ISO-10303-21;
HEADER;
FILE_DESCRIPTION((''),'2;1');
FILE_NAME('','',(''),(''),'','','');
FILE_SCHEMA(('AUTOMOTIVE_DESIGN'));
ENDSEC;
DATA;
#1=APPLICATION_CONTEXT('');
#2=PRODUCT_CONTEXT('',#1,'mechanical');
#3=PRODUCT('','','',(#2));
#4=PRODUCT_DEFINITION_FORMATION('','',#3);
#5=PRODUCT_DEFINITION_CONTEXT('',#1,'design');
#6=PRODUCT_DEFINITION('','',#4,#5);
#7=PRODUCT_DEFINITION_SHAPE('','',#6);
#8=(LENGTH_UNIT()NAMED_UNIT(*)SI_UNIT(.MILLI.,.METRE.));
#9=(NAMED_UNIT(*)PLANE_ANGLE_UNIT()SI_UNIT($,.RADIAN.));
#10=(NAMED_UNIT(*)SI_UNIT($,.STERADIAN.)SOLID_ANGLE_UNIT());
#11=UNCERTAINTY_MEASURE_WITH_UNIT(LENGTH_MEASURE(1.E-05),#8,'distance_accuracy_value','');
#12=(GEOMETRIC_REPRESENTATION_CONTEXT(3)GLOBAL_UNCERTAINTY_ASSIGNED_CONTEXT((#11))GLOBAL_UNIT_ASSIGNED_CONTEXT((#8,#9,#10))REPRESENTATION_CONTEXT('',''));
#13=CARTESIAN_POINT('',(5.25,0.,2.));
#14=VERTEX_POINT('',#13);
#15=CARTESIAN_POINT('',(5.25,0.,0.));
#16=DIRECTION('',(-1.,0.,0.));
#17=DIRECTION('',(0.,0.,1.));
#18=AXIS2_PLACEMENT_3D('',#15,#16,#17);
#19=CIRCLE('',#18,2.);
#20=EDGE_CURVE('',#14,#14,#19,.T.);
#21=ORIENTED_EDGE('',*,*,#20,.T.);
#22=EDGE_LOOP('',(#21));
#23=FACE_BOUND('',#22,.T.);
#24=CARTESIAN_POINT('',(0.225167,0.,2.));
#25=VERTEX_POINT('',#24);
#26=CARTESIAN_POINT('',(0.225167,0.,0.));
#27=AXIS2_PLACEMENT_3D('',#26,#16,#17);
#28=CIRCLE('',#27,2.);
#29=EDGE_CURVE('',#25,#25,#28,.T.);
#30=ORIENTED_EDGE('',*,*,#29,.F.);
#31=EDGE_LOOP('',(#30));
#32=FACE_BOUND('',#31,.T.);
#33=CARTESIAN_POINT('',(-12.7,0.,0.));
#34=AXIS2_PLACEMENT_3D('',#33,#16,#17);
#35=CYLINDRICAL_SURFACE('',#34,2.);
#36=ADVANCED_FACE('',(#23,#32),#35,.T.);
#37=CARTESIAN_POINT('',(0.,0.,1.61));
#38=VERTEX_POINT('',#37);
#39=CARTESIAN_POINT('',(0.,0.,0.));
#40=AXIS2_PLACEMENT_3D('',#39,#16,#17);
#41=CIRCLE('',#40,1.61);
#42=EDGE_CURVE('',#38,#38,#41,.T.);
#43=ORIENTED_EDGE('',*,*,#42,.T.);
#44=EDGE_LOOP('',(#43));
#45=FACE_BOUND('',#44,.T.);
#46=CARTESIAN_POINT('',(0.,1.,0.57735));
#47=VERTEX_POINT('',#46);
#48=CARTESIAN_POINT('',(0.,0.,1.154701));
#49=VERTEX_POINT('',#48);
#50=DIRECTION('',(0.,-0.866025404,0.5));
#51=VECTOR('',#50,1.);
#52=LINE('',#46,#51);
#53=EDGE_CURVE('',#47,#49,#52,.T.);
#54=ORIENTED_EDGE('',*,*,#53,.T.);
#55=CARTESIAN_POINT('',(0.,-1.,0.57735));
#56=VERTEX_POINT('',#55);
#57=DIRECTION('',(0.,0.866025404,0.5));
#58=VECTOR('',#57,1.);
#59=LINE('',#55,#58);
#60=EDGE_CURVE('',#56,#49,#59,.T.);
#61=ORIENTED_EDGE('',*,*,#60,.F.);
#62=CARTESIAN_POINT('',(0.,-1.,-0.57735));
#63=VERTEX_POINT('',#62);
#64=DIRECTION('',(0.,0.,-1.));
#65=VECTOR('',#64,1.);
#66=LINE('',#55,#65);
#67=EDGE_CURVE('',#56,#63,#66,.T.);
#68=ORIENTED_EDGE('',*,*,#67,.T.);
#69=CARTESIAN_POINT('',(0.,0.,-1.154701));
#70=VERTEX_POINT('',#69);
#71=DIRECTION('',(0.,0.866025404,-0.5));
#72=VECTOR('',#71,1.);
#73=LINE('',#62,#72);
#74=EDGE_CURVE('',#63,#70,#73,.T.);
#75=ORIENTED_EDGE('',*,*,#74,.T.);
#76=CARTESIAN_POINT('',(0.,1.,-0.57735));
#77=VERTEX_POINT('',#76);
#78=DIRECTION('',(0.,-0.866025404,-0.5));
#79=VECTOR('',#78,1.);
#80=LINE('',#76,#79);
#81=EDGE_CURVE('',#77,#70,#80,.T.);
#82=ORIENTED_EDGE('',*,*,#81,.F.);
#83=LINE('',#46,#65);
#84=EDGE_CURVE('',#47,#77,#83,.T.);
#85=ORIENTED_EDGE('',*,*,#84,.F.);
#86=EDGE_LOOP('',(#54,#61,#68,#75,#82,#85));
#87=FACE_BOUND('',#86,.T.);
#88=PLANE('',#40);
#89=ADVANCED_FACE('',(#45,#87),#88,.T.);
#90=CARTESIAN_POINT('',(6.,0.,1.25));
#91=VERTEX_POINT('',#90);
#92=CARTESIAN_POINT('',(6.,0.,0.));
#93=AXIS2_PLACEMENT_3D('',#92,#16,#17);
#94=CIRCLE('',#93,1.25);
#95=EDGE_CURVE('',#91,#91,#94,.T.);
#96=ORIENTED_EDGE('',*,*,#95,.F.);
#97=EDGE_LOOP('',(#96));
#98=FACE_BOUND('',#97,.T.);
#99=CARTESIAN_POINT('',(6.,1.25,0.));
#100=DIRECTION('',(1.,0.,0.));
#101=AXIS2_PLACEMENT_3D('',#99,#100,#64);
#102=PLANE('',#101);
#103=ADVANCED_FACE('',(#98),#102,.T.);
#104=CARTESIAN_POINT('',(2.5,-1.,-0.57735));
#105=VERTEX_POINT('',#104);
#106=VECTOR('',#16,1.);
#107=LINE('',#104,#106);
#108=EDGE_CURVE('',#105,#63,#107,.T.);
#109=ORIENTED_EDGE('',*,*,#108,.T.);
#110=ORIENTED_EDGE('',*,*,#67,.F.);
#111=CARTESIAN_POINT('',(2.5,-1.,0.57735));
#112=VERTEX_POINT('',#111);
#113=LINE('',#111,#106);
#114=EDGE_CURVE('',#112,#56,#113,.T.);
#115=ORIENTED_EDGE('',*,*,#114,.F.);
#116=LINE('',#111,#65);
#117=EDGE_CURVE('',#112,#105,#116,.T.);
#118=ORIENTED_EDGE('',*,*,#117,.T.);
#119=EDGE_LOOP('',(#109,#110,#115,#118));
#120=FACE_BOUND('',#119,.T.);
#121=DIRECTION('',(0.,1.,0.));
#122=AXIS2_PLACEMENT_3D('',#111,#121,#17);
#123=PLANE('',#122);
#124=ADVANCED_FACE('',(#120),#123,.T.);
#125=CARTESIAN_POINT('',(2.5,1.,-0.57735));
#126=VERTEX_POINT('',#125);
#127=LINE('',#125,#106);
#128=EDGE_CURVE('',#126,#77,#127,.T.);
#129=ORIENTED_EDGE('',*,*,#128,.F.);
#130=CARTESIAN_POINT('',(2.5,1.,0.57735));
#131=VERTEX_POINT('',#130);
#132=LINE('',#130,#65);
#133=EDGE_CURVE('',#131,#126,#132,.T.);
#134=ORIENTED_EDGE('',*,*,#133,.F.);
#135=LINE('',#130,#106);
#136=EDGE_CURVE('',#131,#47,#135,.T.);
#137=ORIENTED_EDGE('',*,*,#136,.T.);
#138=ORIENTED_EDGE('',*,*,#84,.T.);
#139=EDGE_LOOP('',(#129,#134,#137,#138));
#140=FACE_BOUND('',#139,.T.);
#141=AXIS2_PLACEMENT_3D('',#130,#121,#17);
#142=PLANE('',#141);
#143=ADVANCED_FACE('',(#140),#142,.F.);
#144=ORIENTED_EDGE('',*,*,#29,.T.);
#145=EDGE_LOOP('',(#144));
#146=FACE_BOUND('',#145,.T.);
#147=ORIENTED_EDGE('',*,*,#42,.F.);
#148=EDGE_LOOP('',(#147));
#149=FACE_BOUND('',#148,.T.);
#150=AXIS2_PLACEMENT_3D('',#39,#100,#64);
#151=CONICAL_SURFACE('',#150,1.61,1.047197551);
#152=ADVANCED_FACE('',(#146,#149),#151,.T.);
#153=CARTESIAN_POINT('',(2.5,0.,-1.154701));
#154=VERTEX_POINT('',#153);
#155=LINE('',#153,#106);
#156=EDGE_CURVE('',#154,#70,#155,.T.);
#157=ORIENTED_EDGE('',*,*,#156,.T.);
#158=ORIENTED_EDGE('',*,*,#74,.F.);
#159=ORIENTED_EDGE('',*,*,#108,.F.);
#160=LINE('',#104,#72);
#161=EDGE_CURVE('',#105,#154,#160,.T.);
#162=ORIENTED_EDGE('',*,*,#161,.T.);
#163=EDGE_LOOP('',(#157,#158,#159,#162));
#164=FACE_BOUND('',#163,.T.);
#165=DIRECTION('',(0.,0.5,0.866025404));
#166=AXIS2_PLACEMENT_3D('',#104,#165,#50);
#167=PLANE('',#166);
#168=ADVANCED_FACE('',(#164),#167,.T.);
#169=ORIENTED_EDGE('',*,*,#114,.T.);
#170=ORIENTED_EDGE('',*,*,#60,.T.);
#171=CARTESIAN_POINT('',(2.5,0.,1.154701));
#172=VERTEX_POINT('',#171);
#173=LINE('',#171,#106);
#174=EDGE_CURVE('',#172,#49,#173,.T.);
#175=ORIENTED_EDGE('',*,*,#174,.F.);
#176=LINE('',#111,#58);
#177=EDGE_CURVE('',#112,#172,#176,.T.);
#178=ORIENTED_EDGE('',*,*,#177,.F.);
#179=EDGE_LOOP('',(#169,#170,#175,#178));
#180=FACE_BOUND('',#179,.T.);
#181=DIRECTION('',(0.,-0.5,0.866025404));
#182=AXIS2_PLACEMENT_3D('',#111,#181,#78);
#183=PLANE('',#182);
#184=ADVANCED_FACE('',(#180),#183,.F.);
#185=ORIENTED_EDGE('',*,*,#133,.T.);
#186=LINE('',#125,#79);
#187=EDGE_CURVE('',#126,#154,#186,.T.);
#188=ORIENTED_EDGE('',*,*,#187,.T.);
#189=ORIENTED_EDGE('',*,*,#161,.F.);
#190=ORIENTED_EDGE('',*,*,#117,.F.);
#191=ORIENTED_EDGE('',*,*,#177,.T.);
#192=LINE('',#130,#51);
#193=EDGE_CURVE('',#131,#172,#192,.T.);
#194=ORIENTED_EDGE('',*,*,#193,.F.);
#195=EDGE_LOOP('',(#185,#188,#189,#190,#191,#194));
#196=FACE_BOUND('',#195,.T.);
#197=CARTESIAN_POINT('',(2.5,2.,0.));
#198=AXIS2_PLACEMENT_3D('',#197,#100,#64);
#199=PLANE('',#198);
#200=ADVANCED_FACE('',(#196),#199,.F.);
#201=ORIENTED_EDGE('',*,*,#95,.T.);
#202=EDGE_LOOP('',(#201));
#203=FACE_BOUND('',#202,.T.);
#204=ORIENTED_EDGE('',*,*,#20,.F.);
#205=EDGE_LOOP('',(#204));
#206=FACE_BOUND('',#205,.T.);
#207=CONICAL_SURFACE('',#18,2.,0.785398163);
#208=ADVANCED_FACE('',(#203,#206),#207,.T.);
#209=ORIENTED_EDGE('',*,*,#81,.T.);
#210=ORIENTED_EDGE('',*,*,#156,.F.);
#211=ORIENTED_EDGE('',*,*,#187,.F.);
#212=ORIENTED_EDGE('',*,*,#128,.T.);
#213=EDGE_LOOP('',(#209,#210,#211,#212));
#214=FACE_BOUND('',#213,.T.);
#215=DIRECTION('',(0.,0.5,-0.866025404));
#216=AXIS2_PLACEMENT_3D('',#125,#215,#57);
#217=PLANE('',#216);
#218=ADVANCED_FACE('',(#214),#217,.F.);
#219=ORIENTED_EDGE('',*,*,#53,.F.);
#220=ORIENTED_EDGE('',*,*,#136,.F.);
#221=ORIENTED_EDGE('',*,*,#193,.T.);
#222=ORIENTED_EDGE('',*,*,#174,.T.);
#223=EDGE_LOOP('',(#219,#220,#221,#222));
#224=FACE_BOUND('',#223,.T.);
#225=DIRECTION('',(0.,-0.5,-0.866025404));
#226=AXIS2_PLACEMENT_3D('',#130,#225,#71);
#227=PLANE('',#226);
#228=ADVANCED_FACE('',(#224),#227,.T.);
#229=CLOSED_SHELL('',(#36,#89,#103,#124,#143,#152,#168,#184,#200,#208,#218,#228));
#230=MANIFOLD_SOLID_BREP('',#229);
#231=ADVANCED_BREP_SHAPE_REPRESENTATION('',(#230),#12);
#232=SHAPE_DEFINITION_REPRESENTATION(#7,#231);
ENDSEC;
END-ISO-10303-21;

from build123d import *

# Parameters (mm, degrees)
HEX_2_DEPTH = 2.5


with BuildPart() as part:
    # BodySke → BaseBody (revolve)
    with BuildSketch(Plane.XY, mode=Mode.PRIVATE) as basebody_sk:
        Polygon((0, 0), (0, 1.61), (0.225166605, 2), (5.25, 2), (6, 1.25), (6, 0), align=None)
    revolve(basebody_sk.sketch.rotate(Axis((-12.7, 0, 0), (1, 0, 0)), 90), axis=Axis((-12.7, 0, 0), (1, 0, 0)))

    # Sketch2 → Hex 2 (cut)
    with BuildSketch(Plane.ZY):
        Polygon((0.577350269, 1), (-0.577350269, 1), (-1.154700538, 0), (-0.577350269, -1), (0.577350269, -1), (1.154700538, 0), align=None)
    extrude(amount=-HEX_2_DEPTH, mode=Mode.SUBTRACT)


solid = part.part
